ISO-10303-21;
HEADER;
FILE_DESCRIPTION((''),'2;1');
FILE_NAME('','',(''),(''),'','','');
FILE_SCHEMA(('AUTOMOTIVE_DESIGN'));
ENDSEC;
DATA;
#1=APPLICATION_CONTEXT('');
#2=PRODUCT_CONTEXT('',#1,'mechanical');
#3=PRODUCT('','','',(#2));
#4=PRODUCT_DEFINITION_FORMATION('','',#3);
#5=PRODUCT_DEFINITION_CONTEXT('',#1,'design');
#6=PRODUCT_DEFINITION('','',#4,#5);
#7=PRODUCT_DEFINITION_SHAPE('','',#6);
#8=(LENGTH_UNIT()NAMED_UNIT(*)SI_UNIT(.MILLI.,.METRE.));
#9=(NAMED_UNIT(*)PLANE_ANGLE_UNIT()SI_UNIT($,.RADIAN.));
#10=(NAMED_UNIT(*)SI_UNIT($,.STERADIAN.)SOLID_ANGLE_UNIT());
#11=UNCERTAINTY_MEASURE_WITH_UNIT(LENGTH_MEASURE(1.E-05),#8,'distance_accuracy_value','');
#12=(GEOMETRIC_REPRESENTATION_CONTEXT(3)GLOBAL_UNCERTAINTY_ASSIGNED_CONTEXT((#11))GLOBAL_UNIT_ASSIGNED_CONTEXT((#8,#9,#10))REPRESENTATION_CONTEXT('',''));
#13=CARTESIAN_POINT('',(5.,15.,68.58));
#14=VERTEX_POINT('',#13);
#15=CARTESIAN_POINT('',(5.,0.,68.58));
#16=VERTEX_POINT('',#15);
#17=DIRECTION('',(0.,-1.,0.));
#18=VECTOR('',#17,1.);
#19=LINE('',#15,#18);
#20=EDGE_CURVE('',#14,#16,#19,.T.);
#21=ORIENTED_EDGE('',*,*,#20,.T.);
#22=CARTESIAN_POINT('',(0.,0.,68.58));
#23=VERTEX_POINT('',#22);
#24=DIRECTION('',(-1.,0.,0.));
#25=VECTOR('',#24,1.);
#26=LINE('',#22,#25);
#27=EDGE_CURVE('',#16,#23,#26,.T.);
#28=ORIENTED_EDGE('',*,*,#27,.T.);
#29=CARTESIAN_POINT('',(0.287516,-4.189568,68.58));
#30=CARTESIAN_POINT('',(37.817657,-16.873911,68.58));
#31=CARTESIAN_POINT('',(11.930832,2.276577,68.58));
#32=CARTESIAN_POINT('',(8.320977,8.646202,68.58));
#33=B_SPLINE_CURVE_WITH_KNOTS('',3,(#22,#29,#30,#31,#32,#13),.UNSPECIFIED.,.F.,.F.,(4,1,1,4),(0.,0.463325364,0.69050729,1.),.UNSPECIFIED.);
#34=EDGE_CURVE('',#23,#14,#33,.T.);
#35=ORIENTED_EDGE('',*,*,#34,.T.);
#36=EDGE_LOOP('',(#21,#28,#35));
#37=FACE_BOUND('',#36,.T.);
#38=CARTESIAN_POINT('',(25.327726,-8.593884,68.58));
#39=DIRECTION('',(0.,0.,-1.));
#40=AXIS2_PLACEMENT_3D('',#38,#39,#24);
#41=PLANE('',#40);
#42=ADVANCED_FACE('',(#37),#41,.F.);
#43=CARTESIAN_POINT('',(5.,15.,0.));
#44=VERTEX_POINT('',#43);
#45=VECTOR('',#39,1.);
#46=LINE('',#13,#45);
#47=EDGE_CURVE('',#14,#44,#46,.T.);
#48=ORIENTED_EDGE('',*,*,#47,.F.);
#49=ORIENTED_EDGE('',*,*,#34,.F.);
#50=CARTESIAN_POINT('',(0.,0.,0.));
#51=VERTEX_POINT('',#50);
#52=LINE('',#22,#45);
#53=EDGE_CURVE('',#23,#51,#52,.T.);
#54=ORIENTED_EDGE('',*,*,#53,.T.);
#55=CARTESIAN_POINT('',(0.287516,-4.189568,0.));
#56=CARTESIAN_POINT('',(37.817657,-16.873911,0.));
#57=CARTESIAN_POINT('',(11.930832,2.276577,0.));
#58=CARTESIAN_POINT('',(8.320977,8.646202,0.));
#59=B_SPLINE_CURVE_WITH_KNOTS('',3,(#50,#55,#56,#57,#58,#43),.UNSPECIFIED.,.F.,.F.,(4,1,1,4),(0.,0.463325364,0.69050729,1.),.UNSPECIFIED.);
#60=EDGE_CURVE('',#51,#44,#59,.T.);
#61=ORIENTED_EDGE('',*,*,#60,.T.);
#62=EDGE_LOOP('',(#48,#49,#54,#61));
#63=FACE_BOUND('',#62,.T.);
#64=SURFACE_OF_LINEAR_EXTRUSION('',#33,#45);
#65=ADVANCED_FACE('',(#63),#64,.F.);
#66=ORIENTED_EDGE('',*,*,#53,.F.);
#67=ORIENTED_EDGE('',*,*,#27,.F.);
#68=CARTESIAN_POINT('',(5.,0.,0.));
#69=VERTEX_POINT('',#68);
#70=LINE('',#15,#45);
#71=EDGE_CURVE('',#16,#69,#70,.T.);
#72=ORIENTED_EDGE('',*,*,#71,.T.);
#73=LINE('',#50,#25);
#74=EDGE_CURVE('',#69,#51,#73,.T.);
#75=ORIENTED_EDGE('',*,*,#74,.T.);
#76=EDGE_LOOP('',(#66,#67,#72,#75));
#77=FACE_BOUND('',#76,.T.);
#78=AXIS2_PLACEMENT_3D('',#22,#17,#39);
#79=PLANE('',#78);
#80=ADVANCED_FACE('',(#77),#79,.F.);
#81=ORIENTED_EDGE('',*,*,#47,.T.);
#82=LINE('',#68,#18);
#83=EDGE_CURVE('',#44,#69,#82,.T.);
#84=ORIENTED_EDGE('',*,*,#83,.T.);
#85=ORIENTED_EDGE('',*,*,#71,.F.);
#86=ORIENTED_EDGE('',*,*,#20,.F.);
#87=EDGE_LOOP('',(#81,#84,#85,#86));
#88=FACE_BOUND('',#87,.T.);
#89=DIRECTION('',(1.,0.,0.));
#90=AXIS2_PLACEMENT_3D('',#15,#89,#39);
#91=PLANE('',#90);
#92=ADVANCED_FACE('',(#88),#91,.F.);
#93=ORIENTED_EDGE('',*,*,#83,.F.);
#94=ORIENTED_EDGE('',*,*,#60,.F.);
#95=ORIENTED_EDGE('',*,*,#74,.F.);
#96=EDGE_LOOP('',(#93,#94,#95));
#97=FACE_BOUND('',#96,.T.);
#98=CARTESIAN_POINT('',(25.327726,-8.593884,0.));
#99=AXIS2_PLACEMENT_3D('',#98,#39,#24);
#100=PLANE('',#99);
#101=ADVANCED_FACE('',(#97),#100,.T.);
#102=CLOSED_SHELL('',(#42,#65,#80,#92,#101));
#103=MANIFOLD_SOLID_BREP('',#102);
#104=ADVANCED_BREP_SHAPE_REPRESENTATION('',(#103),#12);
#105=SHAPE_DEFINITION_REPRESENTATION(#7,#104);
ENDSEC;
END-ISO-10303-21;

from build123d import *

# Parameters (mm, degrees)
BOSS_EXTRUDE2_DEPTH = 68.58


with BuildPart() as part:
    # Sketch1 → Boss-Extrude2 (new body)
    with BuildSketch(Plane.XY):
        with BuildLine():
            Line((0, 0), (5, 0))
            Line((5, 0), (5, 15))
            add(Edge.make_bspline(
                [(0, 0), (0.287516011, -4.189568371), (37.817657062, -16.873910744), (11.93083236, 2.276577168), (8.32097676, 8.646201762), (5, 15)],
                knots=[0, 0, 0, 0, 0.463325364, 0.69050729, 1, 1, 1, 1], degree=3))
        make_face()
    extrude(amount=BOSS_EXTRUDE2_DEPTH)


solid = part.part
